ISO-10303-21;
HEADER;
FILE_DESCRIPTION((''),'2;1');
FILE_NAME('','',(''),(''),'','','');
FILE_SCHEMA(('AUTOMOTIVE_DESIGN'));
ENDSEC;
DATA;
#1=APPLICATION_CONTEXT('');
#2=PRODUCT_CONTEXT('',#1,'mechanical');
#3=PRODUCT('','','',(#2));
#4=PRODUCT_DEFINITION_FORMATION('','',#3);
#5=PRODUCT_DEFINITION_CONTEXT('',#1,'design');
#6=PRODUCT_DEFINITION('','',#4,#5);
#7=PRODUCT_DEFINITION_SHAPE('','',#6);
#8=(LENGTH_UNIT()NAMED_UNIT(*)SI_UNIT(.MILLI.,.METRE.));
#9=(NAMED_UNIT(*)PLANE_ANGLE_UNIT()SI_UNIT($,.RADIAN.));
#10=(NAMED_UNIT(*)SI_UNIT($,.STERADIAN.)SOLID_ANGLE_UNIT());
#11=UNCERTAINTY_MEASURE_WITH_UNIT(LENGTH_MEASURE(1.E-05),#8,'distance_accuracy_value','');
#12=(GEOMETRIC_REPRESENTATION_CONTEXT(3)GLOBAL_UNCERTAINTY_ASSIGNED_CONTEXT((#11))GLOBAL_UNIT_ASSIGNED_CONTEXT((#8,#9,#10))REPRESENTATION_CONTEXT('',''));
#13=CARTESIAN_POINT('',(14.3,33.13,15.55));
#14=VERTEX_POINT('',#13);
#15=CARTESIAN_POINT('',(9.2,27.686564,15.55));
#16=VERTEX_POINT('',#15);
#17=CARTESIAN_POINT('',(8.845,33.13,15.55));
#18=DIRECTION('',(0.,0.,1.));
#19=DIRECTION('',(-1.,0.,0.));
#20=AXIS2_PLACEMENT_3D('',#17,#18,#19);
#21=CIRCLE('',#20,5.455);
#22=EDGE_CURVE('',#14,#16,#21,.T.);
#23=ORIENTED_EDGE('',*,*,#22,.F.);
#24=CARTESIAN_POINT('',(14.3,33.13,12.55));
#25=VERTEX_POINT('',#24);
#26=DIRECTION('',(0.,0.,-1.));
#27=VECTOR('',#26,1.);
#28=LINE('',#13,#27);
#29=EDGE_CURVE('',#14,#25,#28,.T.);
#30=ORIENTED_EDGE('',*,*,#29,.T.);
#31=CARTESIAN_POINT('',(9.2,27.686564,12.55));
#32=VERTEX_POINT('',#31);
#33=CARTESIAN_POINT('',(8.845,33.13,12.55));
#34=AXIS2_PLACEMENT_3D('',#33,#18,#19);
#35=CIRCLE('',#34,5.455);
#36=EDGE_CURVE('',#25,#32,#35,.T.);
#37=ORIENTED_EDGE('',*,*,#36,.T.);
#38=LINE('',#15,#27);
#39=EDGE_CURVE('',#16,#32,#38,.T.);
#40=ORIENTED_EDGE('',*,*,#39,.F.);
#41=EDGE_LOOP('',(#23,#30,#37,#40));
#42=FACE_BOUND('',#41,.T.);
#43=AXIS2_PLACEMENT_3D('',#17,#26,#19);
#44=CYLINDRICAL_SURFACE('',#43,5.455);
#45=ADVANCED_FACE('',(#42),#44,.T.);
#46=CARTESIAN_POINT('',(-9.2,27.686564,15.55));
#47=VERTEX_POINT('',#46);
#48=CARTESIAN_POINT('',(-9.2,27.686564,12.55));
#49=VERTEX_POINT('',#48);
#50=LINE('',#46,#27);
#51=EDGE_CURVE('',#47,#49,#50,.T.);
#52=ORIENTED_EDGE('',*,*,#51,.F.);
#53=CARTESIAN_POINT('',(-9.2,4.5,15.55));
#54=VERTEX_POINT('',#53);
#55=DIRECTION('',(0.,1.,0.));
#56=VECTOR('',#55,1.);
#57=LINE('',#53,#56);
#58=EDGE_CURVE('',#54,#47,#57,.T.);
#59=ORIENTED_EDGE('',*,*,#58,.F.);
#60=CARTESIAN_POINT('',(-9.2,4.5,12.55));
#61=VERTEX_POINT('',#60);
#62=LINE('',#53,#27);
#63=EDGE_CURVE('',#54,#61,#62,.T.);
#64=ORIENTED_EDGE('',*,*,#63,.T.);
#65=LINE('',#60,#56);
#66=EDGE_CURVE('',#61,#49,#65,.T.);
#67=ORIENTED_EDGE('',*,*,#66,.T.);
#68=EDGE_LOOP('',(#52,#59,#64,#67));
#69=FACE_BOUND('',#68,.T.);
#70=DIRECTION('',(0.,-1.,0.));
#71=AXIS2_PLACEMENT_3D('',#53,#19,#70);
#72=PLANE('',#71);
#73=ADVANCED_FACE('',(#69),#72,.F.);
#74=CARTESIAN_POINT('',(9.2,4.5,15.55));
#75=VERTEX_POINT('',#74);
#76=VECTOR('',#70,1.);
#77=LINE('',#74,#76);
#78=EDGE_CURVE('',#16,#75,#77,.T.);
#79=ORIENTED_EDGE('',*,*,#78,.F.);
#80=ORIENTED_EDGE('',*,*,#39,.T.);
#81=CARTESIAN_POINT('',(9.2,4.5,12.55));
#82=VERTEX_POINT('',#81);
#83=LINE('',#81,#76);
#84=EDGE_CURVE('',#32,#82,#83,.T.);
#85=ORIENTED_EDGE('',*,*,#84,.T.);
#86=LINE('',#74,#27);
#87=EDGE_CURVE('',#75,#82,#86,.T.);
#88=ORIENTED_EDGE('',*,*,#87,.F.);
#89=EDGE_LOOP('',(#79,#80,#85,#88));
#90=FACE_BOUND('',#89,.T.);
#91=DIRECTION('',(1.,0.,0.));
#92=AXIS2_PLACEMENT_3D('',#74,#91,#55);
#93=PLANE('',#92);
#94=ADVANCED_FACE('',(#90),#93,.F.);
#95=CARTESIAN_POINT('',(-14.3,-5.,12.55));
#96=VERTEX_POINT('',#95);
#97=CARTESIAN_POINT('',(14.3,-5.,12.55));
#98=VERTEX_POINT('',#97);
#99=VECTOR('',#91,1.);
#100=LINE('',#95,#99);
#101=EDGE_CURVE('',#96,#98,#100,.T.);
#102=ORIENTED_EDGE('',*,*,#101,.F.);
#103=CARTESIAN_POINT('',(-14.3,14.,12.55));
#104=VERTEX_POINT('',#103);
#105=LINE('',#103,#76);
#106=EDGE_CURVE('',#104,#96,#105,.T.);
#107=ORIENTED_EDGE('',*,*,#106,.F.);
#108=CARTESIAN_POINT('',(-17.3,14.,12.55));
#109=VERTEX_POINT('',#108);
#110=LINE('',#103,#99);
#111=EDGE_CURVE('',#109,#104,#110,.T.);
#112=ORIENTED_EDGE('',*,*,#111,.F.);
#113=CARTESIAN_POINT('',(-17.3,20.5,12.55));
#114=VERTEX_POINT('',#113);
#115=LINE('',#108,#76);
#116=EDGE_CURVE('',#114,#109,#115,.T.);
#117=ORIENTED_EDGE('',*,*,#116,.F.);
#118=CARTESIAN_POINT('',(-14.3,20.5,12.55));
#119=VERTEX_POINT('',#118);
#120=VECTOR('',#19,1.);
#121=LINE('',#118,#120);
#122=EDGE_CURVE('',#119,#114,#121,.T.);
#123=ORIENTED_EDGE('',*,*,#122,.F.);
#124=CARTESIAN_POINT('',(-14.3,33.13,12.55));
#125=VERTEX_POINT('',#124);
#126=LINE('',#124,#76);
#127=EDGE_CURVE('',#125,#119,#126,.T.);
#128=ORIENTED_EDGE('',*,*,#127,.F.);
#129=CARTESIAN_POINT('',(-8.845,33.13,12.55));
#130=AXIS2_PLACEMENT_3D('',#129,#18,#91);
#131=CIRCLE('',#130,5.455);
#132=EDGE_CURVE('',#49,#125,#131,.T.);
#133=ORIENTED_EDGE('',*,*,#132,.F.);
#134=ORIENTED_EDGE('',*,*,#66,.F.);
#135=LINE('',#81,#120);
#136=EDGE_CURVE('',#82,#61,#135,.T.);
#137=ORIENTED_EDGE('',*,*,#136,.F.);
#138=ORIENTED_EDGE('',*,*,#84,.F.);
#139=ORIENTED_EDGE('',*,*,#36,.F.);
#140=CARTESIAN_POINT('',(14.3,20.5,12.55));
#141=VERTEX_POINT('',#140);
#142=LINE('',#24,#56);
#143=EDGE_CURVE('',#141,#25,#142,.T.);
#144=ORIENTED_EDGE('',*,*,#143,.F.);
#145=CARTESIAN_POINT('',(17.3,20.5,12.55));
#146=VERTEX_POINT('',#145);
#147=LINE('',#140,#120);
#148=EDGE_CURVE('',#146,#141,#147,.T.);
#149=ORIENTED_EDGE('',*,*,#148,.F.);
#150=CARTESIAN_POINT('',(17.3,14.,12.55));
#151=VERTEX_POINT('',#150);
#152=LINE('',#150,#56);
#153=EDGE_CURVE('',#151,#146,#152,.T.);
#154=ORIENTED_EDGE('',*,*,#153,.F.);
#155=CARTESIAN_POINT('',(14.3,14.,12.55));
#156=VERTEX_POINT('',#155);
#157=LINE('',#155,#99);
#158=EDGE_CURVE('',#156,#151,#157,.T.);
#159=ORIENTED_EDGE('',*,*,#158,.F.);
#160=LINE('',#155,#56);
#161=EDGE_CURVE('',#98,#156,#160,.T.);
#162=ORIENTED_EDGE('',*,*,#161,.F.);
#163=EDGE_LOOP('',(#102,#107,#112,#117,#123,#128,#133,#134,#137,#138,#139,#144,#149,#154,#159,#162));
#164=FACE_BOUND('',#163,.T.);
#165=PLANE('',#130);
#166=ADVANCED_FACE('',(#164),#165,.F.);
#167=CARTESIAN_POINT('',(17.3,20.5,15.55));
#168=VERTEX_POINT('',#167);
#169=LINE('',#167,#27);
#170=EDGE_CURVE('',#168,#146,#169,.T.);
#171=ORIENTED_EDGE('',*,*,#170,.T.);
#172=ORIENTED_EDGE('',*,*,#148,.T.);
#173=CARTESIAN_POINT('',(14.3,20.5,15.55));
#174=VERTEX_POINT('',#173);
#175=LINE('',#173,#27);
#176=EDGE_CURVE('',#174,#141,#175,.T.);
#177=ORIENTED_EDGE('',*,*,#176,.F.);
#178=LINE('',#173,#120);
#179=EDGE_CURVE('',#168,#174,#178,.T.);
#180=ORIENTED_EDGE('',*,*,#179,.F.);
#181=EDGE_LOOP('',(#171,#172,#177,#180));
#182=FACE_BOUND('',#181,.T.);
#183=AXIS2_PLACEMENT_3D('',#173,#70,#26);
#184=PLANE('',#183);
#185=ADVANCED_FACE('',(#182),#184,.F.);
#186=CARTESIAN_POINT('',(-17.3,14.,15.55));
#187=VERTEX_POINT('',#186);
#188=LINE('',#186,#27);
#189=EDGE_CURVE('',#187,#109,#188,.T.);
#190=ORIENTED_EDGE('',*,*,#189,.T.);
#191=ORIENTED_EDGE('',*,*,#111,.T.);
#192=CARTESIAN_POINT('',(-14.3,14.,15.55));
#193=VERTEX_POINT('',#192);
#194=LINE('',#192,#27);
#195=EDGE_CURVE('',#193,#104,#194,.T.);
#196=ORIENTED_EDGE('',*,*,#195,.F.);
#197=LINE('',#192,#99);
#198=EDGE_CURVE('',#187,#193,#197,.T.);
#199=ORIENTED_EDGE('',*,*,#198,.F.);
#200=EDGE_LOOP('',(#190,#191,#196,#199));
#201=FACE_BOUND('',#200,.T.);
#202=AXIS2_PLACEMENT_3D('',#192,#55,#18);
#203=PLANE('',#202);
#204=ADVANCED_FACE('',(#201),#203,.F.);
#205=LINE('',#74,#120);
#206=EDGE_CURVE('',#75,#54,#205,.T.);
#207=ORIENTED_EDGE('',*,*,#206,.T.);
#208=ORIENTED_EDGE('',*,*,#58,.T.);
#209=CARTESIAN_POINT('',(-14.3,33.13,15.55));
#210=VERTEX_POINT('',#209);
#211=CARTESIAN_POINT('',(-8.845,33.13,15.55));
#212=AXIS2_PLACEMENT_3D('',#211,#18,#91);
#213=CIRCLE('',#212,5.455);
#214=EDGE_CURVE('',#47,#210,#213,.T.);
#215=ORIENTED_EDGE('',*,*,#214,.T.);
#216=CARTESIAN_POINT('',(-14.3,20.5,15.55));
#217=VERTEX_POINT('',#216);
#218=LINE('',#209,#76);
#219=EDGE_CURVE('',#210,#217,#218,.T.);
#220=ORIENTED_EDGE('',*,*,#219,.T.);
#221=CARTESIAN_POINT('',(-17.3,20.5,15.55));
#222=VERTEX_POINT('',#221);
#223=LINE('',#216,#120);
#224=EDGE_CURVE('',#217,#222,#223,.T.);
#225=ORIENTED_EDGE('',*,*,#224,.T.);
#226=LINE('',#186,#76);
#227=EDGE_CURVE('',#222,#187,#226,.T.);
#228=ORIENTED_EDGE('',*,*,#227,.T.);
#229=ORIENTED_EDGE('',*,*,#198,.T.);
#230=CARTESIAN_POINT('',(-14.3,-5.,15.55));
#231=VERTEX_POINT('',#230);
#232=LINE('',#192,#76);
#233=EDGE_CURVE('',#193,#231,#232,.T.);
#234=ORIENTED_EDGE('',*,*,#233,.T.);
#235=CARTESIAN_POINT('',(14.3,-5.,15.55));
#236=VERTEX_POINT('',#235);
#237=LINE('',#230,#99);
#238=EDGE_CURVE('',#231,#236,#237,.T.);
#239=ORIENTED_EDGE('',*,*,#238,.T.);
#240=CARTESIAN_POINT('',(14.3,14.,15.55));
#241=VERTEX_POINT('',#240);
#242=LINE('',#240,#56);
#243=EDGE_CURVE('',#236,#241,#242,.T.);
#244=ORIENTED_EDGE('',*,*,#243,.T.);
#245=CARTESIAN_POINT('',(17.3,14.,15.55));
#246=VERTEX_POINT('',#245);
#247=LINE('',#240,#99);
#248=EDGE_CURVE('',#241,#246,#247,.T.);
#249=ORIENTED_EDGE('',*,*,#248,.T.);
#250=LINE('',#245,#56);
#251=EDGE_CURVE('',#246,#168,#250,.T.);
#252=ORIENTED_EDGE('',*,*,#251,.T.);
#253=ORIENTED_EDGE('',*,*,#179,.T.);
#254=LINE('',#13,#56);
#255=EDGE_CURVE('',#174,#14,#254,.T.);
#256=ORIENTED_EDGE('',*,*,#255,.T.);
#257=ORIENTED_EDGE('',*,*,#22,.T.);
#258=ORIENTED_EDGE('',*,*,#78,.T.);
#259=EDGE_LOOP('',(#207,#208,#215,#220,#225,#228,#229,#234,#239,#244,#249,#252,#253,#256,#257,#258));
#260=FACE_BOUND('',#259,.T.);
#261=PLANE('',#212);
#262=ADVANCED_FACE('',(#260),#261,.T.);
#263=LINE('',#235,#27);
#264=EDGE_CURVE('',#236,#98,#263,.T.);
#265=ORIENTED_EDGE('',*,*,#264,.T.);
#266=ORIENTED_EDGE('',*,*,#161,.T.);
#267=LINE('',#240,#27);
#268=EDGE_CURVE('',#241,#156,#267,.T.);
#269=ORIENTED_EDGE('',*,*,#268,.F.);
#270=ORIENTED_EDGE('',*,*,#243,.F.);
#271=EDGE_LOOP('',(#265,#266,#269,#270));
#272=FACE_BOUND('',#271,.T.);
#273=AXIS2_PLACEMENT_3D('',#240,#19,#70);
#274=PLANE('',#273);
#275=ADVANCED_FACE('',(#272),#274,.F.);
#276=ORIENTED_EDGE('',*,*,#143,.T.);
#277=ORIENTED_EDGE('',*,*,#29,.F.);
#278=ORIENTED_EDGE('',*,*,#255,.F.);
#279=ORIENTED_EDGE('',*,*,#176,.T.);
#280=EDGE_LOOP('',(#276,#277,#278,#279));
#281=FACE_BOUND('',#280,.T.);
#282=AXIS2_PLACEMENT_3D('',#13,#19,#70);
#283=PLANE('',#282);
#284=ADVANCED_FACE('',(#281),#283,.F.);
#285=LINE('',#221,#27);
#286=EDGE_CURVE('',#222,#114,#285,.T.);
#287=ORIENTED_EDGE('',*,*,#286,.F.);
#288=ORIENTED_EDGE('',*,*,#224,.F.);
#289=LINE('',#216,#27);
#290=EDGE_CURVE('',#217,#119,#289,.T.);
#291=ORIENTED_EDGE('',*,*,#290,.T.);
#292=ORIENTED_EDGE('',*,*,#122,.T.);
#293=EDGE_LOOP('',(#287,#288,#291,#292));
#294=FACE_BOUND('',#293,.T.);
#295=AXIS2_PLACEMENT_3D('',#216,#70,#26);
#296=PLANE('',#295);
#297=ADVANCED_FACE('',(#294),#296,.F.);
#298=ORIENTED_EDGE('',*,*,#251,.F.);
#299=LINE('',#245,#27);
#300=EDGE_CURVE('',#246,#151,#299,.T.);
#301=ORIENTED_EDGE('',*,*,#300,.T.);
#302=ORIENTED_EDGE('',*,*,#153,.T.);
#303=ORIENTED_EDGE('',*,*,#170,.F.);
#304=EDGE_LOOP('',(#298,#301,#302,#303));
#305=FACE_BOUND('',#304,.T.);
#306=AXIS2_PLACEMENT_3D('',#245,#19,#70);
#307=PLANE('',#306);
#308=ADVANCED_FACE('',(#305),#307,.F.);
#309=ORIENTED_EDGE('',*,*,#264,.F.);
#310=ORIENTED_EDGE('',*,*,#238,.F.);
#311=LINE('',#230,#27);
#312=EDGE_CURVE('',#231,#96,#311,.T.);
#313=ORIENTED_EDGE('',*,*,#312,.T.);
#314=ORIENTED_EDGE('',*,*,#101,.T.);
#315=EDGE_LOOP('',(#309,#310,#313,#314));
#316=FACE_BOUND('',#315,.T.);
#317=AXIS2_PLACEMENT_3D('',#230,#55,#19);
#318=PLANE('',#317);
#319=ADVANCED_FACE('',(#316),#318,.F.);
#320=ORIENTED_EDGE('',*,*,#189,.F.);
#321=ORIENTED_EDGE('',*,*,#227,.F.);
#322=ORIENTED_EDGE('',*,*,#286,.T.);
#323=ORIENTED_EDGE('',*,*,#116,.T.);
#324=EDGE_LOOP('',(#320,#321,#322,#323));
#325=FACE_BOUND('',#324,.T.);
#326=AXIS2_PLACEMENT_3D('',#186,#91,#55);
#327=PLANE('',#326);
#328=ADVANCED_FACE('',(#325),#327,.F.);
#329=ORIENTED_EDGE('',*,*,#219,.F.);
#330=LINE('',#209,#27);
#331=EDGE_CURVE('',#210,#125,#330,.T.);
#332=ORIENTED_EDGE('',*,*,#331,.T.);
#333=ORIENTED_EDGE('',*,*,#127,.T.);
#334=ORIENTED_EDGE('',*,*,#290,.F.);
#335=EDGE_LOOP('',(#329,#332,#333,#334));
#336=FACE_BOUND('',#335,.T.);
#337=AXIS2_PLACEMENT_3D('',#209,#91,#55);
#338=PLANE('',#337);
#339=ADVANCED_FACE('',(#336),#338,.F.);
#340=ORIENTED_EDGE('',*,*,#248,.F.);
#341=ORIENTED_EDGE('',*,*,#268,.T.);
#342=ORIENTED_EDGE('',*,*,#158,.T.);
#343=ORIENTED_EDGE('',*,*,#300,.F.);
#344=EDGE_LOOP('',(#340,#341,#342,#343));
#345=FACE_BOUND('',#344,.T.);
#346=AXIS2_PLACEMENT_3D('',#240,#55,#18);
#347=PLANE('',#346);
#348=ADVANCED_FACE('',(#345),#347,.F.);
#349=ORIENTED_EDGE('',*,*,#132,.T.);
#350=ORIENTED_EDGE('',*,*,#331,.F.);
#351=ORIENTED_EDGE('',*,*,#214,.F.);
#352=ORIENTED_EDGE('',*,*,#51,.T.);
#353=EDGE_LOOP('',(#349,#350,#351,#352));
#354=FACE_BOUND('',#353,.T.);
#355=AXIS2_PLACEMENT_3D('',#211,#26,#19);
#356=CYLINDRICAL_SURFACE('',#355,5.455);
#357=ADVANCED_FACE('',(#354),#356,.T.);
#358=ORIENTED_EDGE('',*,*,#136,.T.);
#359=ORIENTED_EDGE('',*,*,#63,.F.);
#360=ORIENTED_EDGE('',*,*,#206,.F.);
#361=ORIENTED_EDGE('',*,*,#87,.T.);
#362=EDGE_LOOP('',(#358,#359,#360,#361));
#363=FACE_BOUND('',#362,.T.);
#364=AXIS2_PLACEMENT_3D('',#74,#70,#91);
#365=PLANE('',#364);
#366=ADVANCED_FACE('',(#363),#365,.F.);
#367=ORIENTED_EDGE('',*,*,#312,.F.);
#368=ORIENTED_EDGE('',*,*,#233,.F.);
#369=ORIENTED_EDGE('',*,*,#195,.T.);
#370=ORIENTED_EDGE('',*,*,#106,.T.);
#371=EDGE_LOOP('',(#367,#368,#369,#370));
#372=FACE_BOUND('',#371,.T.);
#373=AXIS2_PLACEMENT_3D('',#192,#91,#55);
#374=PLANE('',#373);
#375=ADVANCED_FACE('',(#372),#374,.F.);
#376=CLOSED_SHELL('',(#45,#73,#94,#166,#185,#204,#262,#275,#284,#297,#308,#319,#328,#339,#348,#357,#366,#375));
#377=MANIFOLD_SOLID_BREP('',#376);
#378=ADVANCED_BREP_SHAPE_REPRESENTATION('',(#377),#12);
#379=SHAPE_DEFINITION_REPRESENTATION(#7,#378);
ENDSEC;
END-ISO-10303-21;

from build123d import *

# Parameters (mm, degrees)
BASE_START = 3
BASE_DEPTH = 3


with BuildPart() as part:
    # Sketch5 → Base (new body)
    with BuildSketch(Plane.XY.offset(9.55).offset(BASE_START)):
        with BuildLine():
            Line((9.2, 4.5), (-9.2, 4.5))
            Line((-9.2, 4.5), (-9.2, 27.686563585))
            ThreePointArc((-9.2, 27.686563585), (-4.864199201, 36.859644755), (-14.3, 33.13))
            Line((-14.3, 33.13), (-14.3, 20.5))
            Line((-14.3, 20.5), (-17.3, 20.5))
            Line((-17.3, 20.5), (-17.3, 14))
            Line((-17.3, 14), (-14.3, 14))
            Line((-14.3, 14), (-14.3, -5))
            Line((-14.3, -5), (14.3, -5))
            Line((14.3, -5), (14.3, 14))
            Line((14.3, 14), (17.3, 14))
            Line((17.3, 14), (17.3, 20.5))
            Line((17.3, 20.5), (14.3, 20.5))
            Line((14.3, 20.5), (14.3, 33.13))
            ThreePointArc((14.3, 33.13), (4.864199201, 36.859644755), (9.2, 27.686563585))
            Line((9.2, 27.686563585), (9.2, 4.5))
        make_face()
    extrude(amount=BASE_DEPTH)


solid = part.part
